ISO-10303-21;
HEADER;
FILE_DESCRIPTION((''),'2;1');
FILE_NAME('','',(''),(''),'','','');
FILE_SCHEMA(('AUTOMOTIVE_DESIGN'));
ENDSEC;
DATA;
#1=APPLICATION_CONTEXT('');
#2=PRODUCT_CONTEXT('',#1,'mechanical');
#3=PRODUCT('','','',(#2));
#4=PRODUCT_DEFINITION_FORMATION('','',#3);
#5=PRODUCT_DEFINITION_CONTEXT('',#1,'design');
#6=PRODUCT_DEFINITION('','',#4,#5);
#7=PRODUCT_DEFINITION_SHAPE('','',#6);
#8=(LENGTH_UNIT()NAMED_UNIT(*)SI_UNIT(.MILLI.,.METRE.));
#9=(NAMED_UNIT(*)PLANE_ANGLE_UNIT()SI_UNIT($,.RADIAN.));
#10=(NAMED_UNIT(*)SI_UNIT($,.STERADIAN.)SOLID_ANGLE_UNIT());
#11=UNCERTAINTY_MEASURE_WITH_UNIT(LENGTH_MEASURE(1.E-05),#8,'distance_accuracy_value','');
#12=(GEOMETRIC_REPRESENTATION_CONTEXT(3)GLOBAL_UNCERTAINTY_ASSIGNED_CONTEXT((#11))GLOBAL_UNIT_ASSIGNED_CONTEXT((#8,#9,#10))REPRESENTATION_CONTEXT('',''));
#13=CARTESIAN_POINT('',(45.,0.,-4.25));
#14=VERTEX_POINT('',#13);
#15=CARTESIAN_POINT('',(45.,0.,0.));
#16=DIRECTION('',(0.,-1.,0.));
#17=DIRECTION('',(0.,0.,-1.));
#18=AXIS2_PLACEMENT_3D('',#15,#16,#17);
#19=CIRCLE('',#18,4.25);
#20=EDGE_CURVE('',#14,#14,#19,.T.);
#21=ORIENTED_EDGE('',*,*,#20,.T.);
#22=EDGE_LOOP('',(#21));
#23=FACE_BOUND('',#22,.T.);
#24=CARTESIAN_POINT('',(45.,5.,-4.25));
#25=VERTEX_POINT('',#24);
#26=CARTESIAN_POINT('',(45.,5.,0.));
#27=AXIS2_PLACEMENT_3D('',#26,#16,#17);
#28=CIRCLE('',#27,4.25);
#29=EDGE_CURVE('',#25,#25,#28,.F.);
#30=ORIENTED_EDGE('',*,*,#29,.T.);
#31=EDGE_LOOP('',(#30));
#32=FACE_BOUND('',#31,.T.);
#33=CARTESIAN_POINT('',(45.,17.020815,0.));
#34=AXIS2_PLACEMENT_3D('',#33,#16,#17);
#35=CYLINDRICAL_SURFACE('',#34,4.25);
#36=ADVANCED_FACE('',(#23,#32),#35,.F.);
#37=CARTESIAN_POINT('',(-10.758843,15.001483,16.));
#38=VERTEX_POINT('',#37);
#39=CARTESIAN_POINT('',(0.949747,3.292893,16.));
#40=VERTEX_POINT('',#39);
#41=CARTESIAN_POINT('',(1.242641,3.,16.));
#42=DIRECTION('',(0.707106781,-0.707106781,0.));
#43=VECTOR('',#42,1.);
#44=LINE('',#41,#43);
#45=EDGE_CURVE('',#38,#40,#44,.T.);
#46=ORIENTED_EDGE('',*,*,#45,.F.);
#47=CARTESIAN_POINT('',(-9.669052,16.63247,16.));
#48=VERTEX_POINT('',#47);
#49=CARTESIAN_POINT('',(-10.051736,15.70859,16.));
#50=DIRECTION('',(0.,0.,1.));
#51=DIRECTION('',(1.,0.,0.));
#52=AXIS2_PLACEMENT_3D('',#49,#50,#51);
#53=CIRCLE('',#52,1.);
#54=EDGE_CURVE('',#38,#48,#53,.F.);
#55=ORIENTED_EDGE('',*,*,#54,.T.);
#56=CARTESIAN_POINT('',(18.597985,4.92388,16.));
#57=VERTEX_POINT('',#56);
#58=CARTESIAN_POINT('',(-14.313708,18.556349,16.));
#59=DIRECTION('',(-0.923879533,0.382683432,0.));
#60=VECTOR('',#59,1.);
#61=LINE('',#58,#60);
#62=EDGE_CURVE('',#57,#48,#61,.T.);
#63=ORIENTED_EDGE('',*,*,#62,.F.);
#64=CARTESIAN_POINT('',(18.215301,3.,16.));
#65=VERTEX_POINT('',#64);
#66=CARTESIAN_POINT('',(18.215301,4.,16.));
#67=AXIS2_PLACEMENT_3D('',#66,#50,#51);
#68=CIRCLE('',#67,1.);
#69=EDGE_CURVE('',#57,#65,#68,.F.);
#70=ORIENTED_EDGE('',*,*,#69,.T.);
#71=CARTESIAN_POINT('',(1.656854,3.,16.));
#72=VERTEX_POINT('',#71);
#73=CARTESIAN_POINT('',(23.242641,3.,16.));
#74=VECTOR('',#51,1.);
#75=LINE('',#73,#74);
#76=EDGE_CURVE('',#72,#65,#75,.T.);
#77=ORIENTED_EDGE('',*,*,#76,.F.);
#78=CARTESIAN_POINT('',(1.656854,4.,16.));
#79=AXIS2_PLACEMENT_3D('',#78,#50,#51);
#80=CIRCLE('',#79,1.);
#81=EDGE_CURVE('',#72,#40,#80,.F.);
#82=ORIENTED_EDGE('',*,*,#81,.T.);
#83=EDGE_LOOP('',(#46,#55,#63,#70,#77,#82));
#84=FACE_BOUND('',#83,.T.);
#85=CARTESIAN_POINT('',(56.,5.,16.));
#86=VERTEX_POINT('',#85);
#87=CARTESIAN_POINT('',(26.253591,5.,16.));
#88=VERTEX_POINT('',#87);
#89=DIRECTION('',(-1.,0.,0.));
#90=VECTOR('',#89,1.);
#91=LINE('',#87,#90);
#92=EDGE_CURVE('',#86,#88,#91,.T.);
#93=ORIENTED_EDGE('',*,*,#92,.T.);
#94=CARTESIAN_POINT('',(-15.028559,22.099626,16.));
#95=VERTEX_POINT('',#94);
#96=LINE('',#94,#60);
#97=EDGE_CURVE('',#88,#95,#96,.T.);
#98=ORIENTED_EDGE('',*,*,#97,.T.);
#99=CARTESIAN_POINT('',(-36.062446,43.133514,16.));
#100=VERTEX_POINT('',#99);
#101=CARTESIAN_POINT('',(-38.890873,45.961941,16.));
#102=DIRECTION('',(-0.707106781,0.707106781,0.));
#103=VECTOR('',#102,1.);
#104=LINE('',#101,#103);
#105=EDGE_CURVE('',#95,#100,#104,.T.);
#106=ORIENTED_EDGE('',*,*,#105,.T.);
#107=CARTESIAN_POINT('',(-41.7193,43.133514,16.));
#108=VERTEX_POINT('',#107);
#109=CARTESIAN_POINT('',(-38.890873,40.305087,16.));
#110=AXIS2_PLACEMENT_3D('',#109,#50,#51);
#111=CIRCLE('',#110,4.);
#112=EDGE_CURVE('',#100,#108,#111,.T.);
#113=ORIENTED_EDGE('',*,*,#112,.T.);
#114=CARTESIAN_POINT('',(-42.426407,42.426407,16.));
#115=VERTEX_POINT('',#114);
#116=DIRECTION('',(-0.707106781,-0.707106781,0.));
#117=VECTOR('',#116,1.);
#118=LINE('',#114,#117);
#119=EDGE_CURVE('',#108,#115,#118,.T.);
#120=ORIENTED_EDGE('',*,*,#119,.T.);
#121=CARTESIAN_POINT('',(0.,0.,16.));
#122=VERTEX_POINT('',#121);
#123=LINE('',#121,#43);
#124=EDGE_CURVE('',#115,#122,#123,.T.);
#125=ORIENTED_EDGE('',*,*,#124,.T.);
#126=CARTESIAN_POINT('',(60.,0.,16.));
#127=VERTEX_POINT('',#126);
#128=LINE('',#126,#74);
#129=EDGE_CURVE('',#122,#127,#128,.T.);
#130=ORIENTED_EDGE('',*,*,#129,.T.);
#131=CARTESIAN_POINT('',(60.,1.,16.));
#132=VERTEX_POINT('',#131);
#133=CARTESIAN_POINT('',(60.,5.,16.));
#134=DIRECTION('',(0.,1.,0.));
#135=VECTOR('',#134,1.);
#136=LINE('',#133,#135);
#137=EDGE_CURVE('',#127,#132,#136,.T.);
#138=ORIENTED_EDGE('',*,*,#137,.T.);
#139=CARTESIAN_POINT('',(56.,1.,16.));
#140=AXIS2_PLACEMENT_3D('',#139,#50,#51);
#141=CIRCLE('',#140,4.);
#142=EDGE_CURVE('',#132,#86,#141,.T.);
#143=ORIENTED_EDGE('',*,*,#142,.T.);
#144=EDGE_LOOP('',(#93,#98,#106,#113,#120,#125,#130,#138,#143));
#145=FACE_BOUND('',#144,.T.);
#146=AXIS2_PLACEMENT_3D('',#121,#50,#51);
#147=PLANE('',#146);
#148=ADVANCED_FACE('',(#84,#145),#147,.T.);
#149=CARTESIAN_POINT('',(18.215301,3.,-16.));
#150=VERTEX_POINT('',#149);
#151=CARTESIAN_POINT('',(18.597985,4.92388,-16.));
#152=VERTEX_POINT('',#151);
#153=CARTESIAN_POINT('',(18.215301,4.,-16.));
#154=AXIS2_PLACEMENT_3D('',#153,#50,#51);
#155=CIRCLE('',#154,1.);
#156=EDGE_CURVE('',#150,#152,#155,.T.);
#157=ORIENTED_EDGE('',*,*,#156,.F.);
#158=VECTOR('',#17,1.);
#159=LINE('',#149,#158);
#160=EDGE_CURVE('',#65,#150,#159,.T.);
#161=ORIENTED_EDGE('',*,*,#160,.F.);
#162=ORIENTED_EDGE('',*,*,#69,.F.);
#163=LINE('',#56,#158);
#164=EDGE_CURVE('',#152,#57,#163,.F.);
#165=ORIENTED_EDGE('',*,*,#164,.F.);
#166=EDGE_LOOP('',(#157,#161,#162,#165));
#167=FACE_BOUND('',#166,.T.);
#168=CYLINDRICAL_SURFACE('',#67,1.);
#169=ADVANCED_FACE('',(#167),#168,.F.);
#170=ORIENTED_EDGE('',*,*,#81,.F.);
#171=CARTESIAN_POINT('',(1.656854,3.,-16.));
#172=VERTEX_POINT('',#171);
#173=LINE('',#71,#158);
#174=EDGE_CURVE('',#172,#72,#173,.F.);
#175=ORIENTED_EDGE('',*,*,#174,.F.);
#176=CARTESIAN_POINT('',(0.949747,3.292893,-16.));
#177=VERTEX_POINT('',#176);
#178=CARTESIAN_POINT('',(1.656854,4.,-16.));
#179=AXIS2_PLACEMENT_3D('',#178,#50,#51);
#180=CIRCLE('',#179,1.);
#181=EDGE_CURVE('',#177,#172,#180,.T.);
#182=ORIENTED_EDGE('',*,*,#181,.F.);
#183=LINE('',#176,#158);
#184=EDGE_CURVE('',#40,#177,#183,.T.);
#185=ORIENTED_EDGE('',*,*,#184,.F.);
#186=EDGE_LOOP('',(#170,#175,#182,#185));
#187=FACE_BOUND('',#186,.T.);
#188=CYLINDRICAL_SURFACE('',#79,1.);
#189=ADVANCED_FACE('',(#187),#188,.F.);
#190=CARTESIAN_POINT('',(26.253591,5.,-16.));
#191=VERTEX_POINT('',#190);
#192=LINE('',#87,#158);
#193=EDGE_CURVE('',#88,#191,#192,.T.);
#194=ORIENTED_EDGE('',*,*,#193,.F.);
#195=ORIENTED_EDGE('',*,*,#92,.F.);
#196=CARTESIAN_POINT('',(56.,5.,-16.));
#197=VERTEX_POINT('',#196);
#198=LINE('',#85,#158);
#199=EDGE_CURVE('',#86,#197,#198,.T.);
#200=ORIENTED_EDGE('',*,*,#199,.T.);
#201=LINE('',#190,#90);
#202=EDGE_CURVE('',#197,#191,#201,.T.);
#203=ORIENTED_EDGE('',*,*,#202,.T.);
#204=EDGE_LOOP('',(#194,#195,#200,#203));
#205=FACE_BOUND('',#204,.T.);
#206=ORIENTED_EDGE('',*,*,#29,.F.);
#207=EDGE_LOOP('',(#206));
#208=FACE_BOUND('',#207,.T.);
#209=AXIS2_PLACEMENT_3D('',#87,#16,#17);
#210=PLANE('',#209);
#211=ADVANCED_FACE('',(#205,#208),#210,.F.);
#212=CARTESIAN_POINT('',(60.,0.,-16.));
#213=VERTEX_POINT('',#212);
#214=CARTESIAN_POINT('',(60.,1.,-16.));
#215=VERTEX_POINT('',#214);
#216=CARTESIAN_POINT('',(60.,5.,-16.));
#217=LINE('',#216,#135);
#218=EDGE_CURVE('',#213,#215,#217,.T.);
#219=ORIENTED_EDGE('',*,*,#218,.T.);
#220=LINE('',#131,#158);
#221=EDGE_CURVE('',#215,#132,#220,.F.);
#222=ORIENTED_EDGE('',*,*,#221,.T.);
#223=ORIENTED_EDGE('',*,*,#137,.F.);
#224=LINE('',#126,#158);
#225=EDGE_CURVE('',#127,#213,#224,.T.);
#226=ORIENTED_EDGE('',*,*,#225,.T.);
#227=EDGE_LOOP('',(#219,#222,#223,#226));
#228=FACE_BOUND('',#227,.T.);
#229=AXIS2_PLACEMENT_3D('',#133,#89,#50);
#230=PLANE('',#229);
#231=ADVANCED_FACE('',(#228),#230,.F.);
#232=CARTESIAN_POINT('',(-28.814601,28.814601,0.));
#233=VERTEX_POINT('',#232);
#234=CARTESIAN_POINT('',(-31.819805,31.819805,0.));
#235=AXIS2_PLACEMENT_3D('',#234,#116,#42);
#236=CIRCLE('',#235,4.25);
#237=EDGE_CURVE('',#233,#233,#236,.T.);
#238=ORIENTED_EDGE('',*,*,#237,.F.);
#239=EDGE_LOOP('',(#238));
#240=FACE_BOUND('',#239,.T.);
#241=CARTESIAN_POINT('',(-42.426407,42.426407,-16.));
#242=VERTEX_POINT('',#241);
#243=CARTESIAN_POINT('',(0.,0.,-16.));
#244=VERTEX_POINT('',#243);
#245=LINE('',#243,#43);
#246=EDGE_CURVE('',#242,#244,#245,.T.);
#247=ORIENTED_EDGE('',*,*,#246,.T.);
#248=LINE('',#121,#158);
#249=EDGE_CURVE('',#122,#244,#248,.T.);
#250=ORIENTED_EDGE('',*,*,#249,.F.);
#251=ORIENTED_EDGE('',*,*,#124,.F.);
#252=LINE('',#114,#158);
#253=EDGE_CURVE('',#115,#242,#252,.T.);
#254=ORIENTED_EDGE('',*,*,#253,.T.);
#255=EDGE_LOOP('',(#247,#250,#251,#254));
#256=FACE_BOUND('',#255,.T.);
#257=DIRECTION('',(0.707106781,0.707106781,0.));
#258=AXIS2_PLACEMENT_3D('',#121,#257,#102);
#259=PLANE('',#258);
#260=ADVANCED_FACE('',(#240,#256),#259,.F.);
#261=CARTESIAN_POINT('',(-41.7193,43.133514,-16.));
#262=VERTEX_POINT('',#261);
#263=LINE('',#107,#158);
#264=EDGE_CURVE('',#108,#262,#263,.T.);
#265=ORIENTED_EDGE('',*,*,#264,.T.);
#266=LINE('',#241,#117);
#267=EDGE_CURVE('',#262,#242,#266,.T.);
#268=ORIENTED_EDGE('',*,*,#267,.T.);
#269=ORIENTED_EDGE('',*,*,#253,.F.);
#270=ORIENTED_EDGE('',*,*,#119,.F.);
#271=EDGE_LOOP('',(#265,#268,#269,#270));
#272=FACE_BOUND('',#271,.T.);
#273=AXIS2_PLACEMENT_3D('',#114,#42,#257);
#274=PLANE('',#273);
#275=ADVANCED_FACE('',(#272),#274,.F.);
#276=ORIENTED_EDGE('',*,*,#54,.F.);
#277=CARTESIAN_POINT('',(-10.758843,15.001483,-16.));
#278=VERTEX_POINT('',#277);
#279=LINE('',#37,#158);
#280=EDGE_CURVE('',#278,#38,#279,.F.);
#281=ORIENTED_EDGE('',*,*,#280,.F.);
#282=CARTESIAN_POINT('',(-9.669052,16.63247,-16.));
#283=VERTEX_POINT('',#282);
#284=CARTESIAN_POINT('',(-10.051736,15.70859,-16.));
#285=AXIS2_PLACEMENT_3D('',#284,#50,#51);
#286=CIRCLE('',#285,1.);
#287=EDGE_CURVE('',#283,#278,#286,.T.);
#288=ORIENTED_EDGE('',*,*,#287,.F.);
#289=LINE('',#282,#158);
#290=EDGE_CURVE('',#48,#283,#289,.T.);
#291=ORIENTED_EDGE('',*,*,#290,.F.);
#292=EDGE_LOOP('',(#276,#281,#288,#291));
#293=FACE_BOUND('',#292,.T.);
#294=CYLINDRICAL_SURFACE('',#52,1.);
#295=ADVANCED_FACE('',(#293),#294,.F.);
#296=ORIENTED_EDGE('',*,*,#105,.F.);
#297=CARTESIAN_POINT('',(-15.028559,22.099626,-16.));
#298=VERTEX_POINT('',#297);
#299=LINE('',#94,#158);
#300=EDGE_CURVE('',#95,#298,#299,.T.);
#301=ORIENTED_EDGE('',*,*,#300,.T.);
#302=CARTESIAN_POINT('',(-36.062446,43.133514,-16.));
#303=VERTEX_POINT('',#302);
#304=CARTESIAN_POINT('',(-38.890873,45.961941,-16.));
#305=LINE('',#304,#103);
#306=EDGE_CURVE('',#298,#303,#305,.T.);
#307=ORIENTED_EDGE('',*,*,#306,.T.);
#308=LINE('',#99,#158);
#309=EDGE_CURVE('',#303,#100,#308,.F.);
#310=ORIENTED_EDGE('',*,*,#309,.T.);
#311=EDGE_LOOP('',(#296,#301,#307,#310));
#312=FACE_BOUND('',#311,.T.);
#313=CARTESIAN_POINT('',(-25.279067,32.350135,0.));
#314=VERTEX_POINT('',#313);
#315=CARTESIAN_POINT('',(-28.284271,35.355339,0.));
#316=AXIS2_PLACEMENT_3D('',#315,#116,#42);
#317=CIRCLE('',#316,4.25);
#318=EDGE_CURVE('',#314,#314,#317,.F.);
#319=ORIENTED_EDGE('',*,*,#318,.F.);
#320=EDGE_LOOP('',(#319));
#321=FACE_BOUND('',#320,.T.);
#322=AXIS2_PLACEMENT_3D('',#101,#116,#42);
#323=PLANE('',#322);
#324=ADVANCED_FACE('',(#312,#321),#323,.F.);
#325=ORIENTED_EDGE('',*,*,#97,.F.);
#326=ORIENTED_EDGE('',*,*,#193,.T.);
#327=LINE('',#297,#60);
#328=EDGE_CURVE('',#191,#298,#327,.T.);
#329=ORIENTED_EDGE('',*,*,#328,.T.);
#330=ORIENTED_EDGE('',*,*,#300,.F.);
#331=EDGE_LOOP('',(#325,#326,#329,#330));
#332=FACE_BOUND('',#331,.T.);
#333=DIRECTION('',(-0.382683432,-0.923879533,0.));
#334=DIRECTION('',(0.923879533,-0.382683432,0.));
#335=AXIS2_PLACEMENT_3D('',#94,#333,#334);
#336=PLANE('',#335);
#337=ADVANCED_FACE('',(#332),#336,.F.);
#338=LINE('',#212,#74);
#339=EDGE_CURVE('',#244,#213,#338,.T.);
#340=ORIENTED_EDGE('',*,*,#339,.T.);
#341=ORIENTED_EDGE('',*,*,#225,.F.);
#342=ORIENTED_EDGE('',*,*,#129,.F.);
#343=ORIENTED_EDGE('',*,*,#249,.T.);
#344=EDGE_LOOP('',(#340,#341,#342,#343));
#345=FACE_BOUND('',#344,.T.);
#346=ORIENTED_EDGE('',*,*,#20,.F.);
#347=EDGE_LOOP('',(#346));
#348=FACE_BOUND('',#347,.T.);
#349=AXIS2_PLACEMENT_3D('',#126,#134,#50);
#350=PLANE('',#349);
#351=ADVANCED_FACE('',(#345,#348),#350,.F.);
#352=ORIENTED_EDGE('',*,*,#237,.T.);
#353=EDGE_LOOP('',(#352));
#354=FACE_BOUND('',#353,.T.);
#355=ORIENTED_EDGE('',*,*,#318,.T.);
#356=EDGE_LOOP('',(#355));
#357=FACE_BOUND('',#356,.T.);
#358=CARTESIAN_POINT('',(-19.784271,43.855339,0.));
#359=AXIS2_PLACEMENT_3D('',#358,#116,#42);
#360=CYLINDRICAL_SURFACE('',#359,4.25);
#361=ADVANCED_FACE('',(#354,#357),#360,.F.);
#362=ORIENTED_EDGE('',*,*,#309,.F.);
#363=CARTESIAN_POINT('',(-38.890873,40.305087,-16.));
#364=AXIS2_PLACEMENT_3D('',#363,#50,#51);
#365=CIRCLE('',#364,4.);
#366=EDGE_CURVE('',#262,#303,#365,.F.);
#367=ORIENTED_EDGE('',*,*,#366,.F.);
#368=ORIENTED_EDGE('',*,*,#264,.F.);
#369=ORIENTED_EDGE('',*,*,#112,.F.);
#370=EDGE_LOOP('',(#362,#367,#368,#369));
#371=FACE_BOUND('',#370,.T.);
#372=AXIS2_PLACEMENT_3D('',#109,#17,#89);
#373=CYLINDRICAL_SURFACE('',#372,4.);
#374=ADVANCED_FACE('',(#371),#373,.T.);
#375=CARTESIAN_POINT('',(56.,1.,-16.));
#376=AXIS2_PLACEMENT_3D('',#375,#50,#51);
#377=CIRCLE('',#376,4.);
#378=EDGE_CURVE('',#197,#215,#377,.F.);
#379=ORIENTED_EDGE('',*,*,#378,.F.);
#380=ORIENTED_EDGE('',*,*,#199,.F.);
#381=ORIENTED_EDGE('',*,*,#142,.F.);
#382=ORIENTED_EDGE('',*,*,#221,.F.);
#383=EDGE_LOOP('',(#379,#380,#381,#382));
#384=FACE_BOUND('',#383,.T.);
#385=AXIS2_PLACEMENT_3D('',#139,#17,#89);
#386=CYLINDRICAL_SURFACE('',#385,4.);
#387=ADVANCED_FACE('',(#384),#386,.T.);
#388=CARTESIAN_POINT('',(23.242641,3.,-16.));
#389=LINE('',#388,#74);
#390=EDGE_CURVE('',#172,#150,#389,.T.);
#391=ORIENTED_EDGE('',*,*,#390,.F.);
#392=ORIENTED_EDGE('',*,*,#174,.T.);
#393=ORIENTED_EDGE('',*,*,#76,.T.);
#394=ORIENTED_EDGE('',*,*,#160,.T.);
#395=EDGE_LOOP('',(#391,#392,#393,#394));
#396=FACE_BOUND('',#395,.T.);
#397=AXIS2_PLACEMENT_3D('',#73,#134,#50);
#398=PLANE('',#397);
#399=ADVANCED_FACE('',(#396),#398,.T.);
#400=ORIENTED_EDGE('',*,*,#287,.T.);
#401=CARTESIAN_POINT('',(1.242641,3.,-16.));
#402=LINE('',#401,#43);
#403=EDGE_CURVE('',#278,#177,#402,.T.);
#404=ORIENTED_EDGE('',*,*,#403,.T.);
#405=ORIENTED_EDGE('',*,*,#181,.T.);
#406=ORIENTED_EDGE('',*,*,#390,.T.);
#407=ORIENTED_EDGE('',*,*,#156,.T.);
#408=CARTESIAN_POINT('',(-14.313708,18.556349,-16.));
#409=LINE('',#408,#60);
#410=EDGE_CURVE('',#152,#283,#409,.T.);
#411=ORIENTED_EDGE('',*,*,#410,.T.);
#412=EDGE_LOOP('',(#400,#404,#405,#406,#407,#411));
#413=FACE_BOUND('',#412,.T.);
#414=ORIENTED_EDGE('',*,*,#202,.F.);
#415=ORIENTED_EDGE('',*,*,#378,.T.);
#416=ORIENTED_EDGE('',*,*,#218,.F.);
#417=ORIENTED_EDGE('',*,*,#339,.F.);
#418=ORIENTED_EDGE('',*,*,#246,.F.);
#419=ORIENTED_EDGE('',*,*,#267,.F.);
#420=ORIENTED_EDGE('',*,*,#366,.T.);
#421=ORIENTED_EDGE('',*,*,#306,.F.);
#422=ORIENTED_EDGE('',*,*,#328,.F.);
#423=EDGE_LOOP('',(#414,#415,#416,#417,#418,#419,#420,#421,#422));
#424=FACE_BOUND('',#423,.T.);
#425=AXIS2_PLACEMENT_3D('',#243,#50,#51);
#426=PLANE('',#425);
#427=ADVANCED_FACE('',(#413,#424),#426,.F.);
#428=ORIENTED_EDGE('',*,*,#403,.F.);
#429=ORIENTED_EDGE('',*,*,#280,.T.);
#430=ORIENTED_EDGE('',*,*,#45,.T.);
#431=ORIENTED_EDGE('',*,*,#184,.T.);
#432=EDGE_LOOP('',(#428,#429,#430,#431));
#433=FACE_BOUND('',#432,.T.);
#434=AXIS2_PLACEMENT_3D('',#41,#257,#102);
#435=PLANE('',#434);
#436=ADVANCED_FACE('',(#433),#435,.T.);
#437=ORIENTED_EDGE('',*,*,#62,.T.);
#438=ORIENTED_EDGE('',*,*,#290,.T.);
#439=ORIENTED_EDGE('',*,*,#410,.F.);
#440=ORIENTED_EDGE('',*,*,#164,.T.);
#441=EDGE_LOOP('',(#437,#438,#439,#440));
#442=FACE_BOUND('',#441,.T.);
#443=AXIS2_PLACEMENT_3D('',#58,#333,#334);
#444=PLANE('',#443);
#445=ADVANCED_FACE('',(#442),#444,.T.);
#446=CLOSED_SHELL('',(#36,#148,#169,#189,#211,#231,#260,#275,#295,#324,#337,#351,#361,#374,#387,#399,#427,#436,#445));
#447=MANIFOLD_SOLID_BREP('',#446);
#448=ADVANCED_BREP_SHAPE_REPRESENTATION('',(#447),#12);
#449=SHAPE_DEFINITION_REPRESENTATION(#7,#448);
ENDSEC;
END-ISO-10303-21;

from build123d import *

# Parameters (mm, degrees)
EXTRUDE_1_DEPTH     = 16
SKETCH_2_R          = 4.25
CUT_EXTRUDE_1_DEPTH = 5
SKETCH_3_R          = 4.25
CUT_EXTRUDE_2_DEPTH = 5
FILLET_1_R          = 4
FILLET_2_R          = 1


with BuildPart() as part:
    # Эскиз1 → Бобышка-Вытянуть1 (new body, symmetric)
    with BuildSketch(Plane.XY):
        Polygon((0, 0), (-42.426406871, 42.426406871), (-38.890872965, 45.961940777), (-15.028558569, 22.099626381), (26.253591352, 5), (60, 5), (60, 0), align=None)
        Polygon((-14.313708499, 18.556349186), (23.242640687, 3), (1.242640687, 3), align=None, mode=Mode.SUBTRACT)
    extrude(amount=EXTRUDE_1_DEPTH, both=True)

    # Эскиз2 → Вырез-Вытянуть1 (cut)
    with BuildSketch(Plane(origin=(0, 0, 0), x_dir=(0, 0, 1), z_dir=(-0.707106781, -0.707106781, 0))):
        with Locations(Location((0, 45, 0), (0, 0, 270))):  # turned: the seam where the file's is
            Circle(SKETCH_2_R)
    extrude(amount=-CUT_EXTRUDE_1_DEPTH, mode=Mode.SUBTRACT)

    # Эскиз3 → Вырез-Вытянуть2 (cut)
    with BuildSketch(Plane.XZ):
        with Locations(Location((45, 0, 0), (0, 0, 270))):  # turned: the seam where the file's is
            Circle(SKETCH_3_R)
    extrude(amount=-CUT_EXTRUDE_2_DEPTH, mode=Mode.SUBTRACT)

    # Скругление1
    fillet_1_edges = [part.edges().sort_by_distance(p)[0] for p in [
        (-38.890872965, 45.961940777, 0),
        (60, 5, 0),
    ]]
    fillet(fillet_1_edges, radius=FILLET_1_R)

    # Скругление2
    fillet_2_edges = [part.edges().sort_by_distance(p)[0] for p in [
        (-14.313708499, 18.556349186, 0),
        (1.242640687, 3, 0),
        (23.242640687, 3, 0),
    ]]
    fillet(fillet_2_edges, radius=FILLET_2_R)


solid = part.part
